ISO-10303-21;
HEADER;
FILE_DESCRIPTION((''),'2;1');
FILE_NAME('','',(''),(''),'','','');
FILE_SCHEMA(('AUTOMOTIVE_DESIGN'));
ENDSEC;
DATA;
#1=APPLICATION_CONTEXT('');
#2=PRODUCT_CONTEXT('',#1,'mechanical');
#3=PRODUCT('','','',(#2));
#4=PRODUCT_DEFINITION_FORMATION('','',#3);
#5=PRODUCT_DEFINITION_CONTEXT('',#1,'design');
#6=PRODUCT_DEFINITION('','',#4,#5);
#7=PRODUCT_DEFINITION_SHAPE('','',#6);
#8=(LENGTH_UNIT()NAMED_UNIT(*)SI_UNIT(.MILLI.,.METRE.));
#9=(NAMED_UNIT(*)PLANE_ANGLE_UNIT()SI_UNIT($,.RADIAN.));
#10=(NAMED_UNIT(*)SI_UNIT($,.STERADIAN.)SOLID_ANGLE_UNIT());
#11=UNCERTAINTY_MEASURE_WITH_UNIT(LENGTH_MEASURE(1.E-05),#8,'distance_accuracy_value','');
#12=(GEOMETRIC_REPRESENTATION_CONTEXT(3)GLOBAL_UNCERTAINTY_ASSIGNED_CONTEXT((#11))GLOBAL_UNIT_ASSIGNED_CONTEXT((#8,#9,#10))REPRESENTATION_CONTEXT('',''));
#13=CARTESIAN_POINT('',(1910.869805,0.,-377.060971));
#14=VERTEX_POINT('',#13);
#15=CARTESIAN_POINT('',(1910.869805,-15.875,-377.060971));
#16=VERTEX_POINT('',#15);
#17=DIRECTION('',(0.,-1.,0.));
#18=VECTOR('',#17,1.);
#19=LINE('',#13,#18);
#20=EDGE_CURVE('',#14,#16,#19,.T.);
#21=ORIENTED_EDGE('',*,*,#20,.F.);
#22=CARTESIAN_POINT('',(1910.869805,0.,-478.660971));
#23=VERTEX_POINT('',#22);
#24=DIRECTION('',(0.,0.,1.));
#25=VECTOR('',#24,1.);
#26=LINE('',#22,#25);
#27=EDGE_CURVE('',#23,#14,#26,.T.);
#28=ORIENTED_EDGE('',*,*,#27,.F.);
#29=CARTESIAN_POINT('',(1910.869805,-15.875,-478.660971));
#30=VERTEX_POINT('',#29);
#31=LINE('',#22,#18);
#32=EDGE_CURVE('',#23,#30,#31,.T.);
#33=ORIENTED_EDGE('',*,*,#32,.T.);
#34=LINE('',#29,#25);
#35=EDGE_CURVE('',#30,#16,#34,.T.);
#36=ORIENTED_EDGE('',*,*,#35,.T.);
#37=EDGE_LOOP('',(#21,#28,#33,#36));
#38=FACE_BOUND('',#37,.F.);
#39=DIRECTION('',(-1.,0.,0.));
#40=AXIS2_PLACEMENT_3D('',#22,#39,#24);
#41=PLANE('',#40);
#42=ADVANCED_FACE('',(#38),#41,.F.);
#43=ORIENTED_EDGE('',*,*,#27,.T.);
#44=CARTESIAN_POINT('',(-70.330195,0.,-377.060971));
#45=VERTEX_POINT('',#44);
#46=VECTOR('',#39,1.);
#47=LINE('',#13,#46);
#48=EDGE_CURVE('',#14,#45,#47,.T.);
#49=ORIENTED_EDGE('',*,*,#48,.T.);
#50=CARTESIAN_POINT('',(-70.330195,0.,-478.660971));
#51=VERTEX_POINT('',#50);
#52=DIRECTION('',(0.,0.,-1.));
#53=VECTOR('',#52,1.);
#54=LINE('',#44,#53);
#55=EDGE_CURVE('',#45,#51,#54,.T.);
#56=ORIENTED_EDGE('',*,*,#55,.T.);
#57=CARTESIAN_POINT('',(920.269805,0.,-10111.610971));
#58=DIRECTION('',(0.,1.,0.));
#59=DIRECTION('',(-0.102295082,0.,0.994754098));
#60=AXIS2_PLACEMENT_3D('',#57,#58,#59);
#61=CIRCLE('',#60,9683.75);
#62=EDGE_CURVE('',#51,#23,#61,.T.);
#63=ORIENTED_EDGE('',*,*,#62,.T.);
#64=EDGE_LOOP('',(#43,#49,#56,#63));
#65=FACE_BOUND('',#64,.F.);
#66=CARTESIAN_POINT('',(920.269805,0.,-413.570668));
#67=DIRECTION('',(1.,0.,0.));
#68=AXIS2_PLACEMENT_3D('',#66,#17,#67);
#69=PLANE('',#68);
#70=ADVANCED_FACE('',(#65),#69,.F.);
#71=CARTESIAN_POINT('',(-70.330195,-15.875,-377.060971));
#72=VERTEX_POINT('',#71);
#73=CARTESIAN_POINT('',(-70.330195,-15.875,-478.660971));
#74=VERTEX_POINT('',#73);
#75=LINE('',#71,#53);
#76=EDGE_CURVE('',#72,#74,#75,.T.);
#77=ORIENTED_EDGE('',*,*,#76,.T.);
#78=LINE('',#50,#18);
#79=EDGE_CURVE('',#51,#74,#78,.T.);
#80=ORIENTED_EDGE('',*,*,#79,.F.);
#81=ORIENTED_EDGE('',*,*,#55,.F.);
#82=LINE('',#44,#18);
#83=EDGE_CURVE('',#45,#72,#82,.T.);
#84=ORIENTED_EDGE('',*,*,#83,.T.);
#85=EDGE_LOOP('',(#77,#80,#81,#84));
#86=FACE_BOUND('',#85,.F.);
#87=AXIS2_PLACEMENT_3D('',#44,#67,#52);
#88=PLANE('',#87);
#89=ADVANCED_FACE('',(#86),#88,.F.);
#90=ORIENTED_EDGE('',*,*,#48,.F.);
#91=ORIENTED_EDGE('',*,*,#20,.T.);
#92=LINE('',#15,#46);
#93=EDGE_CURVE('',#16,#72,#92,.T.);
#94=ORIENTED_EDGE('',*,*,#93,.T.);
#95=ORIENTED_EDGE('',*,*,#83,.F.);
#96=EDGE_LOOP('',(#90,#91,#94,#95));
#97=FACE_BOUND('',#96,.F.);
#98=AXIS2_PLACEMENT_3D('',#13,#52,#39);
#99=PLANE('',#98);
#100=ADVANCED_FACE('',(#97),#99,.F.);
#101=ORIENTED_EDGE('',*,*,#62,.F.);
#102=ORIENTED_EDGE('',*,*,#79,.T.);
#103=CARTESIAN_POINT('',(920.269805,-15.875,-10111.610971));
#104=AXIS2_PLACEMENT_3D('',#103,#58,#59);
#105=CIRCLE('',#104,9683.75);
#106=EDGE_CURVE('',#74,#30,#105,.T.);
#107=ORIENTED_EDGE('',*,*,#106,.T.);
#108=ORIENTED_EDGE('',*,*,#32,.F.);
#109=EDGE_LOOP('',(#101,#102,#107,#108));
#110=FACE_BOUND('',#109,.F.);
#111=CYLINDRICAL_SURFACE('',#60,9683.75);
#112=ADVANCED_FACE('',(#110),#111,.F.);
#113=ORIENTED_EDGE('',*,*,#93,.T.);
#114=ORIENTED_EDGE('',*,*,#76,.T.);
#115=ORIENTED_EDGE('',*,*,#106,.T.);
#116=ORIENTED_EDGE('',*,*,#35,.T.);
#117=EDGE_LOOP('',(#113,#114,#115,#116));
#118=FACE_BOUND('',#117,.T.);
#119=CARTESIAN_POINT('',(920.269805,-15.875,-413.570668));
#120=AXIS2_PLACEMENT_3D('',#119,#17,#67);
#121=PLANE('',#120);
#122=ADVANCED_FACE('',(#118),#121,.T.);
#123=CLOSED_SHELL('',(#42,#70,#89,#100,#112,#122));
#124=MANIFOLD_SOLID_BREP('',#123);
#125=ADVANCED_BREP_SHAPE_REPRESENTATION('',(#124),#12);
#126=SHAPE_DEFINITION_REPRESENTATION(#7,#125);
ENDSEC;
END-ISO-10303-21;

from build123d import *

# Parameters (mm, degrees)
F1_DEPTH = 25.4
F4_DEPTH = 15.875


with BuildPart() as f1:
    # F0 (on Front) → F1 (new body)
    with BuildSketch(Plane.XZ):
        with BuildLine():
            Line((1860.5442472816, 17.4135072052), (-120.6557527184, 17.4135072052))
            Line((-120.6557527184, 17.4135072052), (-120.6557527184, -58.7864927948))
            ThreePointArc((-120.6557527184, -58.7864927948), (869.9442472816, -7.9864927948), (1860.5442472816, -58.7864927948))
            Line((1860.5442472816, -58.7864927948), (1860.5442472816, 17.4135072052))
        make_face()
    extrude(amount=F1_DEPTH)


with BuildPart() as f4:
    # F3 (on Front) → F4 (new body)
    with BuildSketch(Plane.XZ):
        with BuildLine():
            Line((1910.8698048711, -377.0609709263), (-70.3301951289, -377.0609709263))
            Line((-70.3301951289, -377.0609709263), (-70.3301951289, -478.6609709263))
            ThreePointArc((-70.3301951289, -478.6609709262), (920.2698048711, -427.8609709262), (1910.8698048711, -478.6609709262))
            Line((1910.8698048711, -478.6609709263), (1910.8698048711, -377.0609709263))
        make_face()
    extrude(amount=F4_DEPTH)


solid = f4.part
